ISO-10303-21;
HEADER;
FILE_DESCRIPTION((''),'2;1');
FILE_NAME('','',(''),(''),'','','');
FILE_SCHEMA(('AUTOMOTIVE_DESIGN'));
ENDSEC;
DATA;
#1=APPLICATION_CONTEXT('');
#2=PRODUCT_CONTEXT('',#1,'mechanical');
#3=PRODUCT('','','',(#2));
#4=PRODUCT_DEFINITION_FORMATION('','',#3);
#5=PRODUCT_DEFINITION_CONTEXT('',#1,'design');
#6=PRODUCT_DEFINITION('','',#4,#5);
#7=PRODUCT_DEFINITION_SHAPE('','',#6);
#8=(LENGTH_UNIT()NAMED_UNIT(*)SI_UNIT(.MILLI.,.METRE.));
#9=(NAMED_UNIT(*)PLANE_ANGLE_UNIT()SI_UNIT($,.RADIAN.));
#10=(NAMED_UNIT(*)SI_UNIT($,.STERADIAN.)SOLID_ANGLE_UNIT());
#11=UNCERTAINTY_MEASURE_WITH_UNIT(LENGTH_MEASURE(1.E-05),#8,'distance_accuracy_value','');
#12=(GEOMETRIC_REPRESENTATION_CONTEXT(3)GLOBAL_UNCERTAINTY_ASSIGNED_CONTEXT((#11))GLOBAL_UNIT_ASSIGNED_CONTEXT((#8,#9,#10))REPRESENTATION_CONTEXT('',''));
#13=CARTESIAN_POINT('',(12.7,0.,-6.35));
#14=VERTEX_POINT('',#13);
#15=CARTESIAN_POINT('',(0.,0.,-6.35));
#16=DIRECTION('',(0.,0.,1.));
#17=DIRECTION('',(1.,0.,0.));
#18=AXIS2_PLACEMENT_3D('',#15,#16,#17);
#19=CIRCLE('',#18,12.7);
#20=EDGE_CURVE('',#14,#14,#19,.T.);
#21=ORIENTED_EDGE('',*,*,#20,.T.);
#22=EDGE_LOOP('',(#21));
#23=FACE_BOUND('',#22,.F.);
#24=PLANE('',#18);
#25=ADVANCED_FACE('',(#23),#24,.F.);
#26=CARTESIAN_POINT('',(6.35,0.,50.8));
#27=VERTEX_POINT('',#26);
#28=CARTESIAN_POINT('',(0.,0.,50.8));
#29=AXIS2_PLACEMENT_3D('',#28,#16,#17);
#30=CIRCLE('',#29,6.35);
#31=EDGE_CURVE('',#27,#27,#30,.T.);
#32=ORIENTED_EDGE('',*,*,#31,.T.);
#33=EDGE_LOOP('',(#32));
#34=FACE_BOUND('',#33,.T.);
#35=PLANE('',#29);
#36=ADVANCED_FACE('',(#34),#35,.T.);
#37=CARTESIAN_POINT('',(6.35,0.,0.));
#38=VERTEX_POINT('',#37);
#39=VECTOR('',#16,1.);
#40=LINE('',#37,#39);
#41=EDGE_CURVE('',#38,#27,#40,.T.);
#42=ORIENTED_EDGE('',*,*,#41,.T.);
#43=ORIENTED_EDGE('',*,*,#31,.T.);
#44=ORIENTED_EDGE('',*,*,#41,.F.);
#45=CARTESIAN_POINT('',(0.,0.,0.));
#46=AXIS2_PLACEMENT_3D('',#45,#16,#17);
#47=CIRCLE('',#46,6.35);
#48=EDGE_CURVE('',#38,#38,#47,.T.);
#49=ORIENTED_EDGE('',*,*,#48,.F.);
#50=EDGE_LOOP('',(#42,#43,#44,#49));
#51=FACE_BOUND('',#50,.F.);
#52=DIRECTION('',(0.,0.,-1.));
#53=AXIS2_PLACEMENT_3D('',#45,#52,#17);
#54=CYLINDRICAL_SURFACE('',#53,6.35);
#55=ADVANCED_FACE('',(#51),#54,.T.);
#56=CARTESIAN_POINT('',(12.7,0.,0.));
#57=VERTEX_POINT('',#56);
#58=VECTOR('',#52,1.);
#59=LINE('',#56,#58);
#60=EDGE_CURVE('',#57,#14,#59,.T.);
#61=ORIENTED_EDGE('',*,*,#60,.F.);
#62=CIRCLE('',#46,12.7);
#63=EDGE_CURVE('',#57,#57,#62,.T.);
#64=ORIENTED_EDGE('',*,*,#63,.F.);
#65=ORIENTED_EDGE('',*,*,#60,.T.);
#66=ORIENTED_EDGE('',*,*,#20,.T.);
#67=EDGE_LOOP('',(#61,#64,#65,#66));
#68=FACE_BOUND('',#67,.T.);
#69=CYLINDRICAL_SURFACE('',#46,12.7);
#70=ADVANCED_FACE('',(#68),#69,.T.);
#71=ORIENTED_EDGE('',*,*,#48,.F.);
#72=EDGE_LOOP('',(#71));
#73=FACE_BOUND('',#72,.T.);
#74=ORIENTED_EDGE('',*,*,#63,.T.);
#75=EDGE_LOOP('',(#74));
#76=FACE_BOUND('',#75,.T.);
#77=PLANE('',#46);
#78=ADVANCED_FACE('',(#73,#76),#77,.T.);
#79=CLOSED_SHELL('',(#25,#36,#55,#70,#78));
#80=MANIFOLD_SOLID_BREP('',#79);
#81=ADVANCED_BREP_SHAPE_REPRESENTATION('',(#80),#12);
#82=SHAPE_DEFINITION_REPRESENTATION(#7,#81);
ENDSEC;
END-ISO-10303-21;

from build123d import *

# Parameters (mm, degrees)
F1_R     = 6.35
F2_DEPTH = 50.8
F0_R     = 12.7
F3_DEPTH = 6.35


with BuildPart() as f2:
    # F1 (on face) → F2 (new body)
    with BuildSketch(Plane.XY):
        Circle(F1_R)
    extrude(amount=F2_DEPTH)

    # F0 (on Top) → F3 (join)
    with BuildSketch(Plane.XY):
        Circle(F0_R)
    extrude(amount=-F3_DEPTH)


solid = f2.part
